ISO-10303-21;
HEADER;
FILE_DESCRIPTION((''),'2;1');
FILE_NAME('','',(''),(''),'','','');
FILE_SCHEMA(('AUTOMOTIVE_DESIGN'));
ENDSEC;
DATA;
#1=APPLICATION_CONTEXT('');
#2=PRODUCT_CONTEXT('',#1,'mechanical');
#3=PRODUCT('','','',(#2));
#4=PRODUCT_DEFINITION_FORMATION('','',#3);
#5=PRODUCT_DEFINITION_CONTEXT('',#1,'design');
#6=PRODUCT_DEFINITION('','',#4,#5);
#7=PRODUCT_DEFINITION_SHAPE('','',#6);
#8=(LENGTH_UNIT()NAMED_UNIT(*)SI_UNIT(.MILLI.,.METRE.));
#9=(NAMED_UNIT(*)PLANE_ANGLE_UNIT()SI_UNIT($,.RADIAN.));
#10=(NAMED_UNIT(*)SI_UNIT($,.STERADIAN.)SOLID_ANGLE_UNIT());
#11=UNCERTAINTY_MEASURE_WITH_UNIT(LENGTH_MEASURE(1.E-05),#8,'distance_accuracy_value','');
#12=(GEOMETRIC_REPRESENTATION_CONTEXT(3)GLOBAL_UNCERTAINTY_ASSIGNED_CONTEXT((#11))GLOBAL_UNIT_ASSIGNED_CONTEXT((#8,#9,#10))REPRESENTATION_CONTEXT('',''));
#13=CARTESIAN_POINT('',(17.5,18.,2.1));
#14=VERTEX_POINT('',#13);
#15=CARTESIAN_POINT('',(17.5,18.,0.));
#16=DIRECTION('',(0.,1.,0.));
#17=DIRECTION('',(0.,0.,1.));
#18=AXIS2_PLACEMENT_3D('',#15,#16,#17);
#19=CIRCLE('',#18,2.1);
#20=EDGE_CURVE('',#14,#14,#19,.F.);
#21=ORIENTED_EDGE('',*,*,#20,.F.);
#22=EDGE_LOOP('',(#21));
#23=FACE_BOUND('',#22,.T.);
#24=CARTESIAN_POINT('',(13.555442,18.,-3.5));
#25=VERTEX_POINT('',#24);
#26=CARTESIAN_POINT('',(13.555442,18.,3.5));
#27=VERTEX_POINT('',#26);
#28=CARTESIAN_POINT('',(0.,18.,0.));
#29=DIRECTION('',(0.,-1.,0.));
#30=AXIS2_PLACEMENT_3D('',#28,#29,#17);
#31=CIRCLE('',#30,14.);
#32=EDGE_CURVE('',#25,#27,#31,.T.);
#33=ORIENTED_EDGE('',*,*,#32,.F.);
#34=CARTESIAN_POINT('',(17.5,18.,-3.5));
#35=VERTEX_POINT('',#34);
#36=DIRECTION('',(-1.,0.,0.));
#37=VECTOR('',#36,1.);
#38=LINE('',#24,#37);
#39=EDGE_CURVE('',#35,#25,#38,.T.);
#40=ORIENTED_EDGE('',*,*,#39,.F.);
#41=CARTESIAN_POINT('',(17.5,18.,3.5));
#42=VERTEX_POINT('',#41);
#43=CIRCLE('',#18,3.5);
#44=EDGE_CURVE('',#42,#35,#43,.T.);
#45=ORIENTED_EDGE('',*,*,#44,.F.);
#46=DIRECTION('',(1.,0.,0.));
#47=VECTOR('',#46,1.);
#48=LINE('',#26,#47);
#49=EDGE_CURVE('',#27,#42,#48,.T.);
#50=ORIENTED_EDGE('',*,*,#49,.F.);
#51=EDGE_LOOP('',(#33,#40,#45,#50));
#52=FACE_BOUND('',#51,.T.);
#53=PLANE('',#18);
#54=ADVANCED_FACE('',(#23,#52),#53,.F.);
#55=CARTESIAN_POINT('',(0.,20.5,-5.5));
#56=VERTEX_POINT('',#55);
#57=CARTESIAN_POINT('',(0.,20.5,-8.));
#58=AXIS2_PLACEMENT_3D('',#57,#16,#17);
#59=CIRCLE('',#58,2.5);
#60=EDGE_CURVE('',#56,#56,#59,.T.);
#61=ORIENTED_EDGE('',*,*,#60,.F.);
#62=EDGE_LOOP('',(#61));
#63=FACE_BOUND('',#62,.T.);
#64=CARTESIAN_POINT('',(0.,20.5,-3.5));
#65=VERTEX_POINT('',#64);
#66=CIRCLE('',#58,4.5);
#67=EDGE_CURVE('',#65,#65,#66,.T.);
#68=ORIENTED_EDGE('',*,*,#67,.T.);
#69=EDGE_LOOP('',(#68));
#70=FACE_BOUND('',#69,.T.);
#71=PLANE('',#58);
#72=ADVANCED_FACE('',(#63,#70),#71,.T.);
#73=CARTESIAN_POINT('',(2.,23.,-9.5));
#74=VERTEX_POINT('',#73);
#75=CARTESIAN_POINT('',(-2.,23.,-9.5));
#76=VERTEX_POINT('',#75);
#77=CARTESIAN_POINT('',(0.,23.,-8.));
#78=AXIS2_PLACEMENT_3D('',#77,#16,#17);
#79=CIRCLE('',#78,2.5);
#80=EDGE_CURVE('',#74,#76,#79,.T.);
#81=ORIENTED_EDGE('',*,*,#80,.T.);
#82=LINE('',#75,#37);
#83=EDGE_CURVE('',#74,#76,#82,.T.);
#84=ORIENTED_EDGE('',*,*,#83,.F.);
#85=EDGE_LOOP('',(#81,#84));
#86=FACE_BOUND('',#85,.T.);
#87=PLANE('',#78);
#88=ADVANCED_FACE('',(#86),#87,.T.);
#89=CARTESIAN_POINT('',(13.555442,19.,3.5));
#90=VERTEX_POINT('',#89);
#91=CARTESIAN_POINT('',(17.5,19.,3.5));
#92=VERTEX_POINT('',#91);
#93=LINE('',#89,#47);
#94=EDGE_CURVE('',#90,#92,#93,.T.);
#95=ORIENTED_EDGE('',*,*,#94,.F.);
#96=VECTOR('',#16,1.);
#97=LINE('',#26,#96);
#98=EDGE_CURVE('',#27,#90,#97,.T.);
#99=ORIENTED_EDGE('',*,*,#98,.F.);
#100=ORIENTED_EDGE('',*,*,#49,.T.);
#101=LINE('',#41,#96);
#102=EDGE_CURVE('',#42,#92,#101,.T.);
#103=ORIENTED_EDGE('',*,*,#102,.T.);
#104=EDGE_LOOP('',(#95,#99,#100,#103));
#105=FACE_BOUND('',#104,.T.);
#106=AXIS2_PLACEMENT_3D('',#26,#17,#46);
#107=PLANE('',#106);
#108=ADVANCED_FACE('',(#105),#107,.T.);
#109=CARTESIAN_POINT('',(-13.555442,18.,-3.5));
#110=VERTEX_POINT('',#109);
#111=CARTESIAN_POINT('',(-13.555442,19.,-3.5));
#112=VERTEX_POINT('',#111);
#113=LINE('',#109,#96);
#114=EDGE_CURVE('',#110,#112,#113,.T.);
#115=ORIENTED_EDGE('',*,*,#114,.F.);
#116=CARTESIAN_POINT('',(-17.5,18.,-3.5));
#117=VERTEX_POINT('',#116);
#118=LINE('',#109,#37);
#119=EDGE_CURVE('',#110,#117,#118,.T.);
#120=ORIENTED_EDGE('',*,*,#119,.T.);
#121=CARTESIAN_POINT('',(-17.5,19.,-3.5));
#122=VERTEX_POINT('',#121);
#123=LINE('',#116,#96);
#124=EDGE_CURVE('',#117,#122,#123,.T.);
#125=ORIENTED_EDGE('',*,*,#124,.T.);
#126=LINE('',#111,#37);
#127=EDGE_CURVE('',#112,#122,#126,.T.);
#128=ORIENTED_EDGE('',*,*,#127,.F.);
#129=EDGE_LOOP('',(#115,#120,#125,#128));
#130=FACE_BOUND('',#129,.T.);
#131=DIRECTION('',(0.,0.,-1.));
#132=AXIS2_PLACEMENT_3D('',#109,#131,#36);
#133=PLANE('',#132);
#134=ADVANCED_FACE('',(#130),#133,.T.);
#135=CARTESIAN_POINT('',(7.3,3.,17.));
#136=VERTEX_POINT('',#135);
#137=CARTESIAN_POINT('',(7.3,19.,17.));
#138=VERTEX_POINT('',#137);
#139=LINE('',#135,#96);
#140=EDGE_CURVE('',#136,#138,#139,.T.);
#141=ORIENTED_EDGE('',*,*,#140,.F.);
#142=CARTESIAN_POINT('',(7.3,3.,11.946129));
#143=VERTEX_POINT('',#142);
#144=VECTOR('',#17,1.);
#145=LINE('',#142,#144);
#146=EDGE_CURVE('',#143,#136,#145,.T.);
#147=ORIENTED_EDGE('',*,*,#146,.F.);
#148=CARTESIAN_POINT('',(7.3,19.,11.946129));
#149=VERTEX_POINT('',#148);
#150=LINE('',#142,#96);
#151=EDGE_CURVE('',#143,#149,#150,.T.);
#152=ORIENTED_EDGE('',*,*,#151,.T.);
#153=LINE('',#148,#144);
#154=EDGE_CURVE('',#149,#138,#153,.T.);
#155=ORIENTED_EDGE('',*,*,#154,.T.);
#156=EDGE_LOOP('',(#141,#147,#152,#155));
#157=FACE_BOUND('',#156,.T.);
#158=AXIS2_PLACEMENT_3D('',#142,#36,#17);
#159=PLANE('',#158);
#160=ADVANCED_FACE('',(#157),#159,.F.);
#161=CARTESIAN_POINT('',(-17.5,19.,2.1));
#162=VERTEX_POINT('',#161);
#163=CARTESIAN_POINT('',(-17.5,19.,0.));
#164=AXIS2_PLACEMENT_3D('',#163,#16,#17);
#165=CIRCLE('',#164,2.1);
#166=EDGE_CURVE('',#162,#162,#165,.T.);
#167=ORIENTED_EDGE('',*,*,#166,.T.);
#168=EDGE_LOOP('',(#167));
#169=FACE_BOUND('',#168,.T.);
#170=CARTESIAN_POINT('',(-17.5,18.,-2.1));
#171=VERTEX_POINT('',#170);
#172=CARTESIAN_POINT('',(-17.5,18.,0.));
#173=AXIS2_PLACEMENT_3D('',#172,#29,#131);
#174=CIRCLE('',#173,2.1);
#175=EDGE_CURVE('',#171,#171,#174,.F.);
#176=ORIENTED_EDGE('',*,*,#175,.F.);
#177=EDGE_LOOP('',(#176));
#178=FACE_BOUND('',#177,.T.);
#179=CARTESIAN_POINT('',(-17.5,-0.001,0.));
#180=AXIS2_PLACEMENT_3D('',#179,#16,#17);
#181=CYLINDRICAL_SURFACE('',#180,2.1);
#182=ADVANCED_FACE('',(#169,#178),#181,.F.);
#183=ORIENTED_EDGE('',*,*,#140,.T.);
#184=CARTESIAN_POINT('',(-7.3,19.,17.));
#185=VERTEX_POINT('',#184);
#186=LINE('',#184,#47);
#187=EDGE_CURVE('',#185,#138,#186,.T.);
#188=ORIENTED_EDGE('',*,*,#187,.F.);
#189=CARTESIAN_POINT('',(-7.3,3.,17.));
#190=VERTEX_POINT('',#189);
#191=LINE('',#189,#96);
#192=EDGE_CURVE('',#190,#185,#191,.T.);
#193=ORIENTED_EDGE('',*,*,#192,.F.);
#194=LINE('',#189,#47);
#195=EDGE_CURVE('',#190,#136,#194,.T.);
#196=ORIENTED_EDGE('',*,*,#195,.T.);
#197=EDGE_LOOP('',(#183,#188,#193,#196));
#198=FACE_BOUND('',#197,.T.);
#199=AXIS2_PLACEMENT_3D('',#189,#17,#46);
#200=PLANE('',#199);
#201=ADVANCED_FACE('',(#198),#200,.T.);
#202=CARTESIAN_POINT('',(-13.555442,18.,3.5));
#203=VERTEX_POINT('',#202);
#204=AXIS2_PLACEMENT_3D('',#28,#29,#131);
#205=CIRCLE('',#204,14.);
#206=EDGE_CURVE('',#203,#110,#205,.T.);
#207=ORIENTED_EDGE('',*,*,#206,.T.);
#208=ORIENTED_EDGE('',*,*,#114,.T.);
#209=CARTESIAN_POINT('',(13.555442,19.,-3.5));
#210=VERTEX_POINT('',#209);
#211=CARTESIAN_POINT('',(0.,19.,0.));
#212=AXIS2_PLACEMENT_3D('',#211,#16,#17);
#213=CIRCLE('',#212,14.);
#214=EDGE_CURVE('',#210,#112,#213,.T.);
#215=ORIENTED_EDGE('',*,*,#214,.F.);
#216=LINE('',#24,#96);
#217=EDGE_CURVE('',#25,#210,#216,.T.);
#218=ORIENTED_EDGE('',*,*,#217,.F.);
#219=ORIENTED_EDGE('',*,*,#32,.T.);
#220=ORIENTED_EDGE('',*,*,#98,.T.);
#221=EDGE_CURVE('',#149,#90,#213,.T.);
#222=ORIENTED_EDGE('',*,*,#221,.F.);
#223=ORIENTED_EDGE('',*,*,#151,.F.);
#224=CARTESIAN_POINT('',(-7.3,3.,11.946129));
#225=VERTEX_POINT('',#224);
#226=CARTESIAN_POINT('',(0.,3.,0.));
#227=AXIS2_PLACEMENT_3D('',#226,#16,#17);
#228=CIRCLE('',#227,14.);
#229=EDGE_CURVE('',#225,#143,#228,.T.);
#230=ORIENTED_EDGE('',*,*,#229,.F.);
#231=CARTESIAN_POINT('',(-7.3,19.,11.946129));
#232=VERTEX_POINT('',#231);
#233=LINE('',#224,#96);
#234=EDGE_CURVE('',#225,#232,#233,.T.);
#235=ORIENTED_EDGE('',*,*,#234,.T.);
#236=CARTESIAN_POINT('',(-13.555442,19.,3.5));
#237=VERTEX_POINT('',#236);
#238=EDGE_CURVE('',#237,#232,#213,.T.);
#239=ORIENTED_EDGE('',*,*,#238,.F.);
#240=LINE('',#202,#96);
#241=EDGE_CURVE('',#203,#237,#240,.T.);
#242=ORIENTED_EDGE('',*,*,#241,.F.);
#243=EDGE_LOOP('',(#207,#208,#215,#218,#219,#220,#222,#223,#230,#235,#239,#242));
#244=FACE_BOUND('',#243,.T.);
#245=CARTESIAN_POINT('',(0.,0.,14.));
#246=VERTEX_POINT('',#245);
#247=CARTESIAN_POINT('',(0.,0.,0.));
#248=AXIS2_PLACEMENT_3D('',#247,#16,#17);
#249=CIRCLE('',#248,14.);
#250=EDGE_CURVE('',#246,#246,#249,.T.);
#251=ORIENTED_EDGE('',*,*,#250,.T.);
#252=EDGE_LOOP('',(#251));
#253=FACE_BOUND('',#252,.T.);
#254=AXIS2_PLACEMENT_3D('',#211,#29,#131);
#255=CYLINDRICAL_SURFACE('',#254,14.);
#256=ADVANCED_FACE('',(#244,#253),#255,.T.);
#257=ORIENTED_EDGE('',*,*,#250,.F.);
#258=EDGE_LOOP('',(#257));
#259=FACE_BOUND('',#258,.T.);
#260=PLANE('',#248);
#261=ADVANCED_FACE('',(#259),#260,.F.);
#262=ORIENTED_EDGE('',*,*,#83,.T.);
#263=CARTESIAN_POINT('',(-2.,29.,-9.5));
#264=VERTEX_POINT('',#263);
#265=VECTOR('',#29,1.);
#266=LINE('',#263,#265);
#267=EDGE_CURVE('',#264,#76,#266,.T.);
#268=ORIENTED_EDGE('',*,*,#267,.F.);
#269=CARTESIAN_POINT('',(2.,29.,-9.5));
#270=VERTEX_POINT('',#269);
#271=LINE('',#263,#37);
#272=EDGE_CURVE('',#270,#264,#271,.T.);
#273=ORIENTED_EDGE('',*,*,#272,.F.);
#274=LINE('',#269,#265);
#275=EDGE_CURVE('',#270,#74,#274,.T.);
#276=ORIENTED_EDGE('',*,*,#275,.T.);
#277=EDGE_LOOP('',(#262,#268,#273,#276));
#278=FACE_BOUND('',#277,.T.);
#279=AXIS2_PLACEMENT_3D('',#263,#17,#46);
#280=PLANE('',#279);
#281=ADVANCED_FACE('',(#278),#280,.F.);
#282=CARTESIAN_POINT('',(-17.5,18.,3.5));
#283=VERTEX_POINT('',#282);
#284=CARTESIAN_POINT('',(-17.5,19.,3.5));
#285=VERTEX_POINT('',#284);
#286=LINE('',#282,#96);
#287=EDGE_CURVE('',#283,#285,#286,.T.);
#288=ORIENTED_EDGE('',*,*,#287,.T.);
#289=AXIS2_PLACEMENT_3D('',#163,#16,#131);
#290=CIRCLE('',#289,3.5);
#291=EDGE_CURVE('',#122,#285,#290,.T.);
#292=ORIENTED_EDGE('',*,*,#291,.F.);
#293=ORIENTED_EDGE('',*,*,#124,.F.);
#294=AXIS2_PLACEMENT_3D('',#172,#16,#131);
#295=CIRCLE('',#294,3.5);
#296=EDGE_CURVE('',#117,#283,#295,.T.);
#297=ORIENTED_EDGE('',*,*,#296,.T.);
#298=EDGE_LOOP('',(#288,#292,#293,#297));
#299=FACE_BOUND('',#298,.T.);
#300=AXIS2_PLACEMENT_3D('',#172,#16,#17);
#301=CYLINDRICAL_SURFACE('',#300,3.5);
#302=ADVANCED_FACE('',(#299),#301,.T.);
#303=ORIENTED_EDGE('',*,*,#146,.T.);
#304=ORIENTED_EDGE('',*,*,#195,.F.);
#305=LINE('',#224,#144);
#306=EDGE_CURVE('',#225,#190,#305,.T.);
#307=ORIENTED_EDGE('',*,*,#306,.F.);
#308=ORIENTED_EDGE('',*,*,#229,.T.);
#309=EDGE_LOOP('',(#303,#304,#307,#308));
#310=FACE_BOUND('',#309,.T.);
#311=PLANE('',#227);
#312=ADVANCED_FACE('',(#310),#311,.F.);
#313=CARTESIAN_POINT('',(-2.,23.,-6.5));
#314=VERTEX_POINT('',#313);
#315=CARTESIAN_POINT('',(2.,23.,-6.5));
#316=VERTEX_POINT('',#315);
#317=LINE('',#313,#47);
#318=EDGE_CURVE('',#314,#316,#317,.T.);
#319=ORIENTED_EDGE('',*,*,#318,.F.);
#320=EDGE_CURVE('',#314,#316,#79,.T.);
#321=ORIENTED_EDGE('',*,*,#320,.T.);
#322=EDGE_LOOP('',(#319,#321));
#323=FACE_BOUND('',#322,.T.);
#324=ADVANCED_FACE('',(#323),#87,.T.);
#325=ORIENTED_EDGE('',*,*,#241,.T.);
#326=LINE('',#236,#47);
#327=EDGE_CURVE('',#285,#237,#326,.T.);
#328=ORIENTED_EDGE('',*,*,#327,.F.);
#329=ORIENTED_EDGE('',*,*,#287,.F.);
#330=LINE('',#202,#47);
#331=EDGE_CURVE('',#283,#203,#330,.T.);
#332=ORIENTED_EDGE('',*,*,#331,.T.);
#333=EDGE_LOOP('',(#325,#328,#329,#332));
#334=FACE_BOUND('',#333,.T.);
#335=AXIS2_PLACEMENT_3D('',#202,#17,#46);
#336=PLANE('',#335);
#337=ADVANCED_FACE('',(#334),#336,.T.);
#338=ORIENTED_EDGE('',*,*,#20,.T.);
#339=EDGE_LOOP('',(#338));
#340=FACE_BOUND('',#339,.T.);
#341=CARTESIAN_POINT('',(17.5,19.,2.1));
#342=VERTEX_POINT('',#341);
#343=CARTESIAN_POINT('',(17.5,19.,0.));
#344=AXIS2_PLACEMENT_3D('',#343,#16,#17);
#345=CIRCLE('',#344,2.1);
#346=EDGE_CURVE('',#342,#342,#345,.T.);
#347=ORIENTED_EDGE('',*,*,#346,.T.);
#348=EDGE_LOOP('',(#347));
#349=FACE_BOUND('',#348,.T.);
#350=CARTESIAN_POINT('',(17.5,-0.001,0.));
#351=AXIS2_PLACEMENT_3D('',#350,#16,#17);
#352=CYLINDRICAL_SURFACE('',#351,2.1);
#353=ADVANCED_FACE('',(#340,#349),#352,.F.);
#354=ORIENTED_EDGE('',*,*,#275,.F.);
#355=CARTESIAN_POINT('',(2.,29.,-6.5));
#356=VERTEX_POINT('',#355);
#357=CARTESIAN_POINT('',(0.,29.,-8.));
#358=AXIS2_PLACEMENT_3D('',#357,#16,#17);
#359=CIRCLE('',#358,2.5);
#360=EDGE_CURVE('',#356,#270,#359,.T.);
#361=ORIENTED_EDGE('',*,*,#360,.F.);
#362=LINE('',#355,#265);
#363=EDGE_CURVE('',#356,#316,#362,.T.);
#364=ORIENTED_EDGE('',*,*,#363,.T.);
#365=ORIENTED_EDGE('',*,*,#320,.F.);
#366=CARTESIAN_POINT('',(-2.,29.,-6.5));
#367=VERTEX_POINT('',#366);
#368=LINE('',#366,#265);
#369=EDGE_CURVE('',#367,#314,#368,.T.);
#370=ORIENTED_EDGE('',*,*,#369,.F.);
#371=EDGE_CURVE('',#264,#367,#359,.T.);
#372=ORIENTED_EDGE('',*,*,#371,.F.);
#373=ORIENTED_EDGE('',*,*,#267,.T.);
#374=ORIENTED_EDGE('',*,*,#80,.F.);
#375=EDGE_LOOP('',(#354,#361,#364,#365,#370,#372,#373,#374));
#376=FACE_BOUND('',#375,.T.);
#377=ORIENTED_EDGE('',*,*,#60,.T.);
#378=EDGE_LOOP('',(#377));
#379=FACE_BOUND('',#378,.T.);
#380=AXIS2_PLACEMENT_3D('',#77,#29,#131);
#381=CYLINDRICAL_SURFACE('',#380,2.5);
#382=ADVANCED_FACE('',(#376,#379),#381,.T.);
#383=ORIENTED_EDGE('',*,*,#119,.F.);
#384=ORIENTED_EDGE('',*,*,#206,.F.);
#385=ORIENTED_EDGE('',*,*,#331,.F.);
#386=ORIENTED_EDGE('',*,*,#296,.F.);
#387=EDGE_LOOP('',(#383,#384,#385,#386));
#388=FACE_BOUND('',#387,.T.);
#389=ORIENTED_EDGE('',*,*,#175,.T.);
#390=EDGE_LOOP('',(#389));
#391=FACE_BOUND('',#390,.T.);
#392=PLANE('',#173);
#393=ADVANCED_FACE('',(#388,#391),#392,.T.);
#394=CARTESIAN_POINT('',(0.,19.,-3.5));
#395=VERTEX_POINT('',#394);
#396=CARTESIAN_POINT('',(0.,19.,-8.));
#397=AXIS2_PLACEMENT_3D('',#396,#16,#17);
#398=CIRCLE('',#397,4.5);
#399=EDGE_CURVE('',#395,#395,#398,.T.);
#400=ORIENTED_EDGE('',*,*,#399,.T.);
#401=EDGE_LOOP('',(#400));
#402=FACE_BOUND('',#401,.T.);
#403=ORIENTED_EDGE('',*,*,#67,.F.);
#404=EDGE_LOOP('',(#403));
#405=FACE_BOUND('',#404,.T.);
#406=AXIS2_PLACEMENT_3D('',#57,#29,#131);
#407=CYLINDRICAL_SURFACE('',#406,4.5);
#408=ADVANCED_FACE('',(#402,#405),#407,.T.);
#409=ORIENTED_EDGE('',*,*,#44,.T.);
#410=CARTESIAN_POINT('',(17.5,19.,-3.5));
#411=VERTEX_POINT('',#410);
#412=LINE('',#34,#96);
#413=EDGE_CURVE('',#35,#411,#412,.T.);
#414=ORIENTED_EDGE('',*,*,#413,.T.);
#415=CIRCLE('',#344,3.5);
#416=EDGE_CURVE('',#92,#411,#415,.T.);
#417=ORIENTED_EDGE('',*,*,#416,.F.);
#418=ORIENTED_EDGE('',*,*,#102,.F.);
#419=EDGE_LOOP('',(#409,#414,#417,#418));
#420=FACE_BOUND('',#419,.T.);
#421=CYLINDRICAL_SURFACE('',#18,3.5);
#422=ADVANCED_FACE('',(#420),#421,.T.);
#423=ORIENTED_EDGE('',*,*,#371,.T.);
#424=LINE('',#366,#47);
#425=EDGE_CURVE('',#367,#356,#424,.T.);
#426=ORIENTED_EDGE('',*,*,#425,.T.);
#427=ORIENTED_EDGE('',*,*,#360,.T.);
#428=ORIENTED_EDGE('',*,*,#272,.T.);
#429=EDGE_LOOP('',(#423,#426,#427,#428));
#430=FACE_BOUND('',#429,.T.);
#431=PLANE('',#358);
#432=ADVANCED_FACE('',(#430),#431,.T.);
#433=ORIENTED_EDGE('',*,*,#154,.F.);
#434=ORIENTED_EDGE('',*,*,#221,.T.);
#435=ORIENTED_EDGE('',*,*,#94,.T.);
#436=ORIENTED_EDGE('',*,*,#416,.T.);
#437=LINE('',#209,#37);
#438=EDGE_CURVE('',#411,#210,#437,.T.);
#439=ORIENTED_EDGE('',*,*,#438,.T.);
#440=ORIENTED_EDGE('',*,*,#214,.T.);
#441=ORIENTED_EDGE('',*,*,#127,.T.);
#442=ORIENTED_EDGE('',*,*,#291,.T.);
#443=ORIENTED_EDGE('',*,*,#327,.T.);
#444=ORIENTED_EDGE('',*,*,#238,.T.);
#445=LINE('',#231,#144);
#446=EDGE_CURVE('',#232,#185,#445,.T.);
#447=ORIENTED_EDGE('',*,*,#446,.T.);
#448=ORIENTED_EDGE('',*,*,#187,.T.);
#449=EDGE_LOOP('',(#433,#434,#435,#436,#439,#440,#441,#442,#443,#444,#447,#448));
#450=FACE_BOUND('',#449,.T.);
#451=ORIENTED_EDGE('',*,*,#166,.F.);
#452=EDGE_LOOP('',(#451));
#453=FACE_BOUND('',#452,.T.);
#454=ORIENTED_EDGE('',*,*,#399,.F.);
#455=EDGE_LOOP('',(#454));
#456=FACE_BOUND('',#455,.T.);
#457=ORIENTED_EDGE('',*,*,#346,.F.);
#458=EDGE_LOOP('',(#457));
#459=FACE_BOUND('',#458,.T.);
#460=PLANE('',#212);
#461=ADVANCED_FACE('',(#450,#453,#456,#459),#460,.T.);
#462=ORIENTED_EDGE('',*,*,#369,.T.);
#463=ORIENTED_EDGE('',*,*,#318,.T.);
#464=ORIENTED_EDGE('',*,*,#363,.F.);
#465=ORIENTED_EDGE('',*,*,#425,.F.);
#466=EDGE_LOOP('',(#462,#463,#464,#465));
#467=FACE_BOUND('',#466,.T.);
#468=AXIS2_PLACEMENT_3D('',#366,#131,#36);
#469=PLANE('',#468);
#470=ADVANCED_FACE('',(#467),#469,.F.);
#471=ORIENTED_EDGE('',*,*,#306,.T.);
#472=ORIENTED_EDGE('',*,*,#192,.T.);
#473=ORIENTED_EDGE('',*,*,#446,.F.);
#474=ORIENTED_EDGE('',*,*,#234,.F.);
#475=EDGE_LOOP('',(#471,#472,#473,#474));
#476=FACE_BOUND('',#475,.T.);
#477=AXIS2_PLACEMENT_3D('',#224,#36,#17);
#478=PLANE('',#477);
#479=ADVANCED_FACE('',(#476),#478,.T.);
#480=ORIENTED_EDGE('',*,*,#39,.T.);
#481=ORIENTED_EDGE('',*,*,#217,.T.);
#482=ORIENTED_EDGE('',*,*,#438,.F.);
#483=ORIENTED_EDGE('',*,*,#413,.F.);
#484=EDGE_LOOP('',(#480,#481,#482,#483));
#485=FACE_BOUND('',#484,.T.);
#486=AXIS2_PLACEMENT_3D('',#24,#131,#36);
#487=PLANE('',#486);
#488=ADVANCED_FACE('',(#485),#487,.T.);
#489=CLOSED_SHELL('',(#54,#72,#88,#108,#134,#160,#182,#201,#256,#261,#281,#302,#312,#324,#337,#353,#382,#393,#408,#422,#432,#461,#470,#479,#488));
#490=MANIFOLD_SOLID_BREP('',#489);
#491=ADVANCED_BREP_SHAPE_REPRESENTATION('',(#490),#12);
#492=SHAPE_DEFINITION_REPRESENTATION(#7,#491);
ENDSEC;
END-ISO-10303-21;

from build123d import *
from build123d.topology import SkipClean

# Parameters (mm, degrees)
SKETCH1_R           = 14
BOSS_EXTRUDE1_DEPTH = 19
BOSS_EXTRUDE2_DEPTH = 1
CUT_EXTRUDE1_REACH  = 33.591
SKETCH3_R           = 2.1
BOSS_EXTRUDE3_DEPTH = 16
SKETCH5_R           = 4.5
BOSS_EXTRUDE4_DEPTH = 1.5
SKETCH6_R           = 2.5
BOSS_EXTRUDE5_DEPTH = 2.5
BOSS_EXTRUDE6_DEPTH = 6


with BuildPart() as part:
    # Sketch1 → Boss-Extrude1 (new body)
    with BuildSketch(Plane(origin=(0, 0, 0), x_dir=(1, 0, 0), z_dir=(0, 1, 0))):
        with Locations(Location((0, 0, 0), (0, 0, 270))):
            Circle(SKETCH1_R)
    extrude(amount=BOSS_EXTRUDE1_DEPTH)

    # Sketch2 → Boss-Extrude2 (add)
    with BuildSketch(Plane(origin=(0, 19, 0), x_dir=(1, 0, 0), z_dir=(0, 1, 0))):
        with BuildLine():
            Line((13.555441712, 3.5), (17.5, 3.5))
            ThreePointArc((17.5, 3.5), (21, 0), (17.5, -3.5))
            Line((17.5, -3.5), (13.555441712, -3.5))
            ThreePointArc((13.555441712, -3.5), (14, 0), (13.555441712, 3.5))
        make_face()
        with BuildLine():
            Line((-13.555441712, -3.5), (-17.5, -3.5))
            ThreePointArc((-17.5, -3.5), (-21, 0), (-17.5, 3.5))
            Line((-17.5, 3.5), (-13.555441712, 3.5))
            ThreePointArc((-13.555441712, 3.5), (-14, 0), (-13.555441712, -3.5))
        make_face()
    extrude(amount=-BOSS_EXTRUDE2_DEPTH)

    # Sketch3 → Cut-Extrude1 (cut, up to next)
    with BuildSketch(Plane(origin=(0, 19, 0), x_dir=(1, 0, 0), z_dir=(0, 1, 0)), mode=Mode.PRIVATE) as cut_extrude1_sk1:
        with Locations(Location((17.5, 0, 0), (0, 0, 270))):
            Circle(SKETCH3_R)
    cut_extrude1_tool1 = extrude(cut_extrude1_sk1.sketch, amount=-CUT_EXTRUDE1_REACH, mode=Mode.PRIVATE) & part.part
    # Sketch3 → Cut-Extrude1 (cut, up to next)
    with BuildSketch(Plane(origin=(0, 19, 0), x_dir=(1, 0, 0), z_dir=(0, 1, 0)), mode=Mode.PRIVATE) as cut_extrude1_sk2:
        with Locations(Location((-17.5, 0, 0), (0, 0, 270))):
            Circle(SKETCH3_R)
    cut_extrude1_tool2 = extrude(cut_extrude1_sk2.sketch, amount=-CUT_EXTRUDE1_REACH, mode=Mode.PRIVATE) & part.part
    add(cut_extrude1_tool1.solids().sort_by_distance((17.5, 19, 0))[0], mode=Mode.SUBTRACT)
    add(cut_extrude1_tool2.solids().sort_by_distance((-17.5, 19, 0))[0], mode=Mode.SUBTRACT)

    # Sketch4 → Boss-Extrude3 (add)
    with BuildSketch(Plane(origin=(0, 19, 0), x_dir=(1, 0, 0), z_dir=(0, 1, 0))):
        with BuildLine():
            Line((7.3, -11.94612908), (7.3, -17))
            Line((7.3, -17), (-7.3, -17))
            Line((-7.3, -17), (-7.3, -11.94612908))
            ThreePointArc((-7.3, -11.94612908), (0, -14), (7.3, -11.94612908))
        make_face()
    extrude(amount=-BOSS_EXTRUDE3_DEPTH)

    # Sketch5 → Boss-Extrude4 (add)
    with BuildSketch(Plane(origin=(0, 19, 0), x_dir=(1, 0, 0), z_dir=(0, 1, 0))):
        with Locations(Location((0, 8, 0), (0, 0, 270))):
            Circle(SKETCH5_R)
    extrude(amount=BOSS_EXTRUDE4_DEPTH)

    # Sketch6 → Boss-Extrude5 (add)
    with BuildSketch(Plane(origin=(0, 20.5, 0), x_dir=(1, 0, 0), z_dir=(0, 1, 0))):
        with Locations(Location((0, 8, 0), (0, 0, 270))):
            Circle(SKETCH6_R)
    extrude(amount=BOSS_EXTRUDE5_DEPTH)

    # Sketch7 → Boss-Extrude6 (add)
    with SkipClean():  # the faces are left unmerged after this step: merging them gives an invalid solid
        with BuildSketch(Plane(origin=(0, 23, 0), x_dir=(1, 0, 0), z_dir=(0, 1, 0))):
            with BuildLine():
                Line((-2, 9.5), (2, 9.5))
                ThreePointArc((2, 9.5), (2.5, 8), (2, 6.5))
                Line((2, 6.5), (-2, 6.5))
                ThreePointArc((-2, 6.5), (-2.5, 8), (-2, 9.5))
            make_face()
        extrude(amount=BOSS_EXTRUDE6_DEPTH)


solid = part.part
